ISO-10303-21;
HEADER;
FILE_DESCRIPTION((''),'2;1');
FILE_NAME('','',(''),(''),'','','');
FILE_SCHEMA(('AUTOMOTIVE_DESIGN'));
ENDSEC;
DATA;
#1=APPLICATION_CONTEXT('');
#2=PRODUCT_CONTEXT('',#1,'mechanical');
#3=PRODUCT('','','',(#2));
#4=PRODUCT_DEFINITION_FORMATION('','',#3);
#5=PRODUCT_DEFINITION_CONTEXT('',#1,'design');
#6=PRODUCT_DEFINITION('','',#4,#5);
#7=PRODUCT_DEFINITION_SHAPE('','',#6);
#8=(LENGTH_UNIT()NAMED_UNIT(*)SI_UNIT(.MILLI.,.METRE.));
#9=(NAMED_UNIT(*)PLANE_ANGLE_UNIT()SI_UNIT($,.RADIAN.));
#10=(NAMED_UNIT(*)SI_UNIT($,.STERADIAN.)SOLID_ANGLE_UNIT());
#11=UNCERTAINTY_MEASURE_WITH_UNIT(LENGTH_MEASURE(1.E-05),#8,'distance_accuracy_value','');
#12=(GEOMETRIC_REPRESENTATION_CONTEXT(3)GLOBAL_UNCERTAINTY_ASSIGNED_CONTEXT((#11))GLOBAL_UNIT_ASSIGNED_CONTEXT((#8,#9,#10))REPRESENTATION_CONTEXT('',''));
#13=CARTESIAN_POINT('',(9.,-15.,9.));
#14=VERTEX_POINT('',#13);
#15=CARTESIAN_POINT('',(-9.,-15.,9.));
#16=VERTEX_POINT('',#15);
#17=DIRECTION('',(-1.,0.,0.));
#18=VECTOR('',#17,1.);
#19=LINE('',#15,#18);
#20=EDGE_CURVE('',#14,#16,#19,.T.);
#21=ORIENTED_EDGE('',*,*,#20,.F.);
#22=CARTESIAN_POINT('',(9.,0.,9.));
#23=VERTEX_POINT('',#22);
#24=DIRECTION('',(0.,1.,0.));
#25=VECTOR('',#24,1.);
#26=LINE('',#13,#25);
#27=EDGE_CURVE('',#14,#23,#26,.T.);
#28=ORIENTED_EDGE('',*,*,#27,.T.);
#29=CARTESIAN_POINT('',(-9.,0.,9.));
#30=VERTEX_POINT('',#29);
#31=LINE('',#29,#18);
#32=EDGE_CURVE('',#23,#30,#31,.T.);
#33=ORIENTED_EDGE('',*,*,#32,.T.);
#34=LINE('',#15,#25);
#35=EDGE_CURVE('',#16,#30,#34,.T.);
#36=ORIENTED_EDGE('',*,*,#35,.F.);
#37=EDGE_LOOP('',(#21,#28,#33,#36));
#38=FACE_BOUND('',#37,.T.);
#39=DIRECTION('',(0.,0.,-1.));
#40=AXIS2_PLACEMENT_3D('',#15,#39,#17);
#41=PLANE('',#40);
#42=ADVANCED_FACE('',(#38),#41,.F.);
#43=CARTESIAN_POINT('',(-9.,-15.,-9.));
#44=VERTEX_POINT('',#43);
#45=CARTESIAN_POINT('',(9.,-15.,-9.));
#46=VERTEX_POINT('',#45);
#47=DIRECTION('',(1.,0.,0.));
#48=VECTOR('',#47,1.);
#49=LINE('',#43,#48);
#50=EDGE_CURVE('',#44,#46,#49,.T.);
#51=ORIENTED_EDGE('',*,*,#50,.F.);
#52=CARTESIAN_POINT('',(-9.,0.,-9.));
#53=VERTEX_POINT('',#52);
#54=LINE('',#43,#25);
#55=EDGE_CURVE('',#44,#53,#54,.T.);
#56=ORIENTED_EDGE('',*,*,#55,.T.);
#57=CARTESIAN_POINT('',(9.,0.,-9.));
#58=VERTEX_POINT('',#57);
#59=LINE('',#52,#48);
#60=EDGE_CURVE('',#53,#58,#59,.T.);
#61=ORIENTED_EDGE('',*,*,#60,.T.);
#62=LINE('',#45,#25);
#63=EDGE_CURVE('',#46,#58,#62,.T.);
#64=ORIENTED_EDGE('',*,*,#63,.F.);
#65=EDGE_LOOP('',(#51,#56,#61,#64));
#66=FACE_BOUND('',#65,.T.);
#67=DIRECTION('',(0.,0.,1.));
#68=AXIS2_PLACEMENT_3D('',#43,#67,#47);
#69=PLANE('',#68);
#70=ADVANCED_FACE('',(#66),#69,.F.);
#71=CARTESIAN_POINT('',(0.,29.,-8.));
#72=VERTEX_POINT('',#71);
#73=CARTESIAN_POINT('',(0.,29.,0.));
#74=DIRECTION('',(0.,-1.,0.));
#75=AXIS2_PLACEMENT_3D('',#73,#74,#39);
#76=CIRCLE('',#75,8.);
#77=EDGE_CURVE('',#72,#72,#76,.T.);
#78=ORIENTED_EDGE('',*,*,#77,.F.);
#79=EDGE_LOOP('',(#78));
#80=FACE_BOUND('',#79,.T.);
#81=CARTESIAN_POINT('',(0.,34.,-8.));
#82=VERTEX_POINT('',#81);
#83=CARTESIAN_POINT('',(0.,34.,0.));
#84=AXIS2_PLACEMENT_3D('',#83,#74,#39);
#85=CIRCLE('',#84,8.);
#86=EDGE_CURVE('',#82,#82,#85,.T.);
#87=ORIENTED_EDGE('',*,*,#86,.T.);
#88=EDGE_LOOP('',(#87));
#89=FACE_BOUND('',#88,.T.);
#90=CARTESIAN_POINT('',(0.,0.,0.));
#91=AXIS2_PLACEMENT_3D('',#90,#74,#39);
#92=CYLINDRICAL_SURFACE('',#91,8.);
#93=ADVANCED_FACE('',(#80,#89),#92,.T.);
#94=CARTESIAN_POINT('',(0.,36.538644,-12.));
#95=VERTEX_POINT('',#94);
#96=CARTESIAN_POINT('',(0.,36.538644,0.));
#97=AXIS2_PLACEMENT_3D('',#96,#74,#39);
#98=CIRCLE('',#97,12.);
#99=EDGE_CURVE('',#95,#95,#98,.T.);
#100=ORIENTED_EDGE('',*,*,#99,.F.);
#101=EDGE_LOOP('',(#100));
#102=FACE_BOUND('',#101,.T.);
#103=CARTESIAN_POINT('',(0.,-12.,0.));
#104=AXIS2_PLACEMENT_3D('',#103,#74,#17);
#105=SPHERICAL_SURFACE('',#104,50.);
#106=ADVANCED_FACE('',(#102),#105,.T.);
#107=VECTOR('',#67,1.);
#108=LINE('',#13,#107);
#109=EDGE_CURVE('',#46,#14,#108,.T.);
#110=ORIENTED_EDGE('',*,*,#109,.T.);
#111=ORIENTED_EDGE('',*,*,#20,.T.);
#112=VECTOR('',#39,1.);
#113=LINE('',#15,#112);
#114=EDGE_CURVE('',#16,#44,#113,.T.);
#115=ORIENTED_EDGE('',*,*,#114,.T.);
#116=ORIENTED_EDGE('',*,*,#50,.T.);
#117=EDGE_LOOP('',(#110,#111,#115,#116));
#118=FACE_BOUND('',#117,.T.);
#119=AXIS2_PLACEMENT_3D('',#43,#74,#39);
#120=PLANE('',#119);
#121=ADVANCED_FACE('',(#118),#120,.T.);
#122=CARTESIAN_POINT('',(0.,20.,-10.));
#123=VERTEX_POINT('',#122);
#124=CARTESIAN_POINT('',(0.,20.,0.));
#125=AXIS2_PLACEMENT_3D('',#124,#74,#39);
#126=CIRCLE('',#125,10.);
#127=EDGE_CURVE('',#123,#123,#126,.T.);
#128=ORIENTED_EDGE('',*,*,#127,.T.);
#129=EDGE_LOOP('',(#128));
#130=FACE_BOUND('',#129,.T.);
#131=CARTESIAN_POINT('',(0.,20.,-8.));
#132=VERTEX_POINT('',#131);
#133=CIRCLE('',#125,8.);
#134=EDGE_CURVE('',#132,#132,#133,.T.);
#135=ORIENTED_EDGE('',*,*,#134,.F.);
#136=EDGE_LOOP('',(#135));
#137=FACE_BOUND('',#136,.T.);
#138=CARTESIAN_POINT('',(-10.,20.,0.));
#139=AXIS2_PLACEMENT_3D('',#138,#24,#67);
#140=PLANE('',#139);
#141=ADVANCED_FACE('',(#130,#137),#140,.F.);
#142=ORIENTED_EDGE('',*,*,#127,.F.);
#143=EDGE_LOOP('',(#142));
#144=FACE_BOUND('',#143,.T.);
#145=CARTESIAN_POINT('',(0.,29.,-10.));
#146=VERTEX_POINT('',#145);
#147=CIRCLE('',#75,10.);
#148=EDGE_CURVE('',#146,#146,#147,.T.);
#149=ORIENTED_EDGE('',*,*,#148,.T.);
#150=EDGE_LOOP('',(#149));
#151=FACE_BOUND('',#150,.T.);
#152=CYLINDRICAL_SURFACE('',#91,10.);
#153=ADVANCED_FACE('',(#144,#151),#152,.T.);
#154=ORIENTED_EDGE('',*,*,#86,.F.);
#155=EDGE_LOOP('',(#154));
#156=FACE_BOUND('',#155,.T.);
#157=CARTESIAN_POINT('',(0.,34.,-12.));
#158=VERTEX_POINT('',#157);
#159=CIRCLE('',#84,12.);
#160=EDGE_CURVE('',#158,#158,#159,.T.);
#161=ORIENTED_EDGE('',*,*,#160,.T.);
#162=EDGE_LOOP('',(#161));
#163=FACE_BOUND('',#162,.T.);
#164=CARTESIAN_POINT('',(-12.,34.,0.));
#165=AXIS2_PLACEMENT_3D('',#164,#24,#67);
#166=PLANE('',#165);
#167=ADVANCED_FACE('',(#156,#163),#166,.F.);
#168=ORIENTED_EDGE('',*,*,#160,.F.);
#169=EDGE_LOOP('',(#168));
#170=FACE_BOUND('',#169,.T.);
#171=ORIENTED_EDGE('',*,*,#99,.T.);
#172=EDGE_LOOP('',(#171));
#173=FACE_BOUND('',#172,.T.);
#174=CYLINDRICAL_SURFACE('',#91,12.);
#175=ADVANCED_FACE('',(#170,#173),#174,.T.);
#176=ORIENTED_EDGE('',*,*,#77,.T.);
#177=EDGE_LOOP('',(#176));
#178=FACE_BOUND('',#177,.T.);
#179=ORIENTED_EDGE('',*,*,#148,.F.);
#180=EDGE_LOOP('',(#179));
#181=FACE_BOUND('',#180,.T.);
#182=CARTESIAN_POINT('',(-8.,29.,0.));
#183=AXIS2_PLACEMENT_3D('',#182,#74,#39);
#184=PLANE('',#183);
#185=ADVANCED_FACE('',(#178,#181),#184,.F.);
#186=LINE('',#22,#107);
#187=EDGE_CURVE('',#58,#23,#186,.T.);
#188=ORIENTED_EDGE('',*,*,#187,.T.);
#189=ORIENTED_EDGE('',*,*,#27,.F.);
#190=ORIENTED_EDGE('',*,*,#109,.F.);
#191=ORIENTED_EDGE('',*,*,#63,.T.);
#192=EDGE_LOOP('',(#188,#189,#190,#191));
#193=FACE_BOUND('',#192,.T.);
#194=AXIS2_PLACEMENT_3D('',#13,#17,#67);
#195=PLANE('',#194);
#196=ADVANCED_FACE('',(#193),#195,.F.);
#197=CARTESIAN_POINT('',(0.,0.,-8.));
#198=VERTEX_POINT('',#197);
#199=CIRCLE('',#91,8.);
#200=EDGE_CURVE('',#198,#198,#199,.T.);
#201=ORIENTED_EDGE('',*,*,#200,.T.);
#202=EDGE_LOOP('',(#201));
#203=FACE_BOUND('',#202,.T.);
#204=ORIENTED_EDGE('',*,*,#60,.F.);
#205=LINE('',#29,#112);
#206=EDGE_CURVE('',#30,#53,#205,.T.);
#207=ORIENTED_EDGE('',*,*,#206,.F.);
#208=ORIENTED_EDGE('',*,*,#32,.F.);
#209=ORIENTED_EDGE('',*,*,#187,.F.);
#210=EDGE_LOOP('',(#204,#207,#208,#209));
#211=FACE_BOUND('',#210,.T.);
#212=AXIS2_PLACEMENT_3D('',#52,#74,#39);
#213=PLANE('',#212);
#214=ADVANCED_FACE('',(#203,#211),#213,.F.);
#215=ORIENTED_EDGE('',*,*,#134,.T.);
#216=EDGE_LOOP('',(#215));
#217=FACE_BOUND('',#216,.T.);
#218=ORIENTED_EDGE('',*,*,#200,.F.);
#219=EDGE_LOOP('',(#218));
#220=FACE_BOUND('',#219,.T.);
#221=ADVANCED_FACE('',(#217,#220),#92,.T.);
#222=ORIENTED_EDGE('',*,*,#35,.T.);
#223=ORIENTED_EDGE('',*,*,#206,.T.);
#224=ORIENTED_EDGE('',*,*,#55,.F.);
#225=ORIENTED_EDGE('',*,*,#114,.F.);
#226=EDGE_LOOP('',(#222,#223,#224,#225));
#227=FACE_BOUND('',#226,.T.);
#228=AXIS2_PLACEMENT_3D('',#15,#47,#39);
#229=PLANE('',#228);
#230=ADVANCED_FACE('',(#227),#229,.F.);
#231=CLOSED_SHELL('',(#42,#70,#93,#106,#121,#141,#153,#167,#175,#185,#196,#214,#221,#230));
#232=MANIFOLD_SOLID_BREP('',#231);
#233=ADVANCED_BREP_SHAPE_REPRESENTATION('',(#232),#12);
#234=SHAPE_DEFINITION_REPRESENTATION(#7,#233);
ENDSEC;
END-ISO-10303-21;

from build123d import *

# Parameters (mm, degrees)
ESQUISSE2_W      = 18
ESQUISSE2_H      = 18
EXTRUSION1_DEPTH = 15


with BuildPart() as part:
    # Esquisse1 → Révolution1 (revolve)
    with BuildSketch(Plane.XY):
        with BuildLine():
            Line((-12, 36.538644398), (-12, 34))
            Line((-12, 34), (-8, 34))
            Line((-8, 34), (-8, 29))
            Line((-8, 29), (-10, 29))
            Line((-10, 29), (-10, 20))
            Line((-10, 20), (-8, 20))
            Line((-8, 20), (-8, 0))
            Line((-8, 0), (0, 0))
            Line((0, 0), (0, 38))
            ThreePointArc((0, 38), (-6.044327096, 37.633316532), (-12, 36.538644398))
        make_face()
    revolve(axis=Axis((0, 0, 0), (0, 1, 0)))

    # Esquisse2 → Extrusion1 (add)
    with BuildSketch(Plane.XZ):
        Rectangle(ESQUISSE2_W, ESQUISSE2_H)
    extrude(amount=EXTRUSION1_DEPTH)


solid = part.part
